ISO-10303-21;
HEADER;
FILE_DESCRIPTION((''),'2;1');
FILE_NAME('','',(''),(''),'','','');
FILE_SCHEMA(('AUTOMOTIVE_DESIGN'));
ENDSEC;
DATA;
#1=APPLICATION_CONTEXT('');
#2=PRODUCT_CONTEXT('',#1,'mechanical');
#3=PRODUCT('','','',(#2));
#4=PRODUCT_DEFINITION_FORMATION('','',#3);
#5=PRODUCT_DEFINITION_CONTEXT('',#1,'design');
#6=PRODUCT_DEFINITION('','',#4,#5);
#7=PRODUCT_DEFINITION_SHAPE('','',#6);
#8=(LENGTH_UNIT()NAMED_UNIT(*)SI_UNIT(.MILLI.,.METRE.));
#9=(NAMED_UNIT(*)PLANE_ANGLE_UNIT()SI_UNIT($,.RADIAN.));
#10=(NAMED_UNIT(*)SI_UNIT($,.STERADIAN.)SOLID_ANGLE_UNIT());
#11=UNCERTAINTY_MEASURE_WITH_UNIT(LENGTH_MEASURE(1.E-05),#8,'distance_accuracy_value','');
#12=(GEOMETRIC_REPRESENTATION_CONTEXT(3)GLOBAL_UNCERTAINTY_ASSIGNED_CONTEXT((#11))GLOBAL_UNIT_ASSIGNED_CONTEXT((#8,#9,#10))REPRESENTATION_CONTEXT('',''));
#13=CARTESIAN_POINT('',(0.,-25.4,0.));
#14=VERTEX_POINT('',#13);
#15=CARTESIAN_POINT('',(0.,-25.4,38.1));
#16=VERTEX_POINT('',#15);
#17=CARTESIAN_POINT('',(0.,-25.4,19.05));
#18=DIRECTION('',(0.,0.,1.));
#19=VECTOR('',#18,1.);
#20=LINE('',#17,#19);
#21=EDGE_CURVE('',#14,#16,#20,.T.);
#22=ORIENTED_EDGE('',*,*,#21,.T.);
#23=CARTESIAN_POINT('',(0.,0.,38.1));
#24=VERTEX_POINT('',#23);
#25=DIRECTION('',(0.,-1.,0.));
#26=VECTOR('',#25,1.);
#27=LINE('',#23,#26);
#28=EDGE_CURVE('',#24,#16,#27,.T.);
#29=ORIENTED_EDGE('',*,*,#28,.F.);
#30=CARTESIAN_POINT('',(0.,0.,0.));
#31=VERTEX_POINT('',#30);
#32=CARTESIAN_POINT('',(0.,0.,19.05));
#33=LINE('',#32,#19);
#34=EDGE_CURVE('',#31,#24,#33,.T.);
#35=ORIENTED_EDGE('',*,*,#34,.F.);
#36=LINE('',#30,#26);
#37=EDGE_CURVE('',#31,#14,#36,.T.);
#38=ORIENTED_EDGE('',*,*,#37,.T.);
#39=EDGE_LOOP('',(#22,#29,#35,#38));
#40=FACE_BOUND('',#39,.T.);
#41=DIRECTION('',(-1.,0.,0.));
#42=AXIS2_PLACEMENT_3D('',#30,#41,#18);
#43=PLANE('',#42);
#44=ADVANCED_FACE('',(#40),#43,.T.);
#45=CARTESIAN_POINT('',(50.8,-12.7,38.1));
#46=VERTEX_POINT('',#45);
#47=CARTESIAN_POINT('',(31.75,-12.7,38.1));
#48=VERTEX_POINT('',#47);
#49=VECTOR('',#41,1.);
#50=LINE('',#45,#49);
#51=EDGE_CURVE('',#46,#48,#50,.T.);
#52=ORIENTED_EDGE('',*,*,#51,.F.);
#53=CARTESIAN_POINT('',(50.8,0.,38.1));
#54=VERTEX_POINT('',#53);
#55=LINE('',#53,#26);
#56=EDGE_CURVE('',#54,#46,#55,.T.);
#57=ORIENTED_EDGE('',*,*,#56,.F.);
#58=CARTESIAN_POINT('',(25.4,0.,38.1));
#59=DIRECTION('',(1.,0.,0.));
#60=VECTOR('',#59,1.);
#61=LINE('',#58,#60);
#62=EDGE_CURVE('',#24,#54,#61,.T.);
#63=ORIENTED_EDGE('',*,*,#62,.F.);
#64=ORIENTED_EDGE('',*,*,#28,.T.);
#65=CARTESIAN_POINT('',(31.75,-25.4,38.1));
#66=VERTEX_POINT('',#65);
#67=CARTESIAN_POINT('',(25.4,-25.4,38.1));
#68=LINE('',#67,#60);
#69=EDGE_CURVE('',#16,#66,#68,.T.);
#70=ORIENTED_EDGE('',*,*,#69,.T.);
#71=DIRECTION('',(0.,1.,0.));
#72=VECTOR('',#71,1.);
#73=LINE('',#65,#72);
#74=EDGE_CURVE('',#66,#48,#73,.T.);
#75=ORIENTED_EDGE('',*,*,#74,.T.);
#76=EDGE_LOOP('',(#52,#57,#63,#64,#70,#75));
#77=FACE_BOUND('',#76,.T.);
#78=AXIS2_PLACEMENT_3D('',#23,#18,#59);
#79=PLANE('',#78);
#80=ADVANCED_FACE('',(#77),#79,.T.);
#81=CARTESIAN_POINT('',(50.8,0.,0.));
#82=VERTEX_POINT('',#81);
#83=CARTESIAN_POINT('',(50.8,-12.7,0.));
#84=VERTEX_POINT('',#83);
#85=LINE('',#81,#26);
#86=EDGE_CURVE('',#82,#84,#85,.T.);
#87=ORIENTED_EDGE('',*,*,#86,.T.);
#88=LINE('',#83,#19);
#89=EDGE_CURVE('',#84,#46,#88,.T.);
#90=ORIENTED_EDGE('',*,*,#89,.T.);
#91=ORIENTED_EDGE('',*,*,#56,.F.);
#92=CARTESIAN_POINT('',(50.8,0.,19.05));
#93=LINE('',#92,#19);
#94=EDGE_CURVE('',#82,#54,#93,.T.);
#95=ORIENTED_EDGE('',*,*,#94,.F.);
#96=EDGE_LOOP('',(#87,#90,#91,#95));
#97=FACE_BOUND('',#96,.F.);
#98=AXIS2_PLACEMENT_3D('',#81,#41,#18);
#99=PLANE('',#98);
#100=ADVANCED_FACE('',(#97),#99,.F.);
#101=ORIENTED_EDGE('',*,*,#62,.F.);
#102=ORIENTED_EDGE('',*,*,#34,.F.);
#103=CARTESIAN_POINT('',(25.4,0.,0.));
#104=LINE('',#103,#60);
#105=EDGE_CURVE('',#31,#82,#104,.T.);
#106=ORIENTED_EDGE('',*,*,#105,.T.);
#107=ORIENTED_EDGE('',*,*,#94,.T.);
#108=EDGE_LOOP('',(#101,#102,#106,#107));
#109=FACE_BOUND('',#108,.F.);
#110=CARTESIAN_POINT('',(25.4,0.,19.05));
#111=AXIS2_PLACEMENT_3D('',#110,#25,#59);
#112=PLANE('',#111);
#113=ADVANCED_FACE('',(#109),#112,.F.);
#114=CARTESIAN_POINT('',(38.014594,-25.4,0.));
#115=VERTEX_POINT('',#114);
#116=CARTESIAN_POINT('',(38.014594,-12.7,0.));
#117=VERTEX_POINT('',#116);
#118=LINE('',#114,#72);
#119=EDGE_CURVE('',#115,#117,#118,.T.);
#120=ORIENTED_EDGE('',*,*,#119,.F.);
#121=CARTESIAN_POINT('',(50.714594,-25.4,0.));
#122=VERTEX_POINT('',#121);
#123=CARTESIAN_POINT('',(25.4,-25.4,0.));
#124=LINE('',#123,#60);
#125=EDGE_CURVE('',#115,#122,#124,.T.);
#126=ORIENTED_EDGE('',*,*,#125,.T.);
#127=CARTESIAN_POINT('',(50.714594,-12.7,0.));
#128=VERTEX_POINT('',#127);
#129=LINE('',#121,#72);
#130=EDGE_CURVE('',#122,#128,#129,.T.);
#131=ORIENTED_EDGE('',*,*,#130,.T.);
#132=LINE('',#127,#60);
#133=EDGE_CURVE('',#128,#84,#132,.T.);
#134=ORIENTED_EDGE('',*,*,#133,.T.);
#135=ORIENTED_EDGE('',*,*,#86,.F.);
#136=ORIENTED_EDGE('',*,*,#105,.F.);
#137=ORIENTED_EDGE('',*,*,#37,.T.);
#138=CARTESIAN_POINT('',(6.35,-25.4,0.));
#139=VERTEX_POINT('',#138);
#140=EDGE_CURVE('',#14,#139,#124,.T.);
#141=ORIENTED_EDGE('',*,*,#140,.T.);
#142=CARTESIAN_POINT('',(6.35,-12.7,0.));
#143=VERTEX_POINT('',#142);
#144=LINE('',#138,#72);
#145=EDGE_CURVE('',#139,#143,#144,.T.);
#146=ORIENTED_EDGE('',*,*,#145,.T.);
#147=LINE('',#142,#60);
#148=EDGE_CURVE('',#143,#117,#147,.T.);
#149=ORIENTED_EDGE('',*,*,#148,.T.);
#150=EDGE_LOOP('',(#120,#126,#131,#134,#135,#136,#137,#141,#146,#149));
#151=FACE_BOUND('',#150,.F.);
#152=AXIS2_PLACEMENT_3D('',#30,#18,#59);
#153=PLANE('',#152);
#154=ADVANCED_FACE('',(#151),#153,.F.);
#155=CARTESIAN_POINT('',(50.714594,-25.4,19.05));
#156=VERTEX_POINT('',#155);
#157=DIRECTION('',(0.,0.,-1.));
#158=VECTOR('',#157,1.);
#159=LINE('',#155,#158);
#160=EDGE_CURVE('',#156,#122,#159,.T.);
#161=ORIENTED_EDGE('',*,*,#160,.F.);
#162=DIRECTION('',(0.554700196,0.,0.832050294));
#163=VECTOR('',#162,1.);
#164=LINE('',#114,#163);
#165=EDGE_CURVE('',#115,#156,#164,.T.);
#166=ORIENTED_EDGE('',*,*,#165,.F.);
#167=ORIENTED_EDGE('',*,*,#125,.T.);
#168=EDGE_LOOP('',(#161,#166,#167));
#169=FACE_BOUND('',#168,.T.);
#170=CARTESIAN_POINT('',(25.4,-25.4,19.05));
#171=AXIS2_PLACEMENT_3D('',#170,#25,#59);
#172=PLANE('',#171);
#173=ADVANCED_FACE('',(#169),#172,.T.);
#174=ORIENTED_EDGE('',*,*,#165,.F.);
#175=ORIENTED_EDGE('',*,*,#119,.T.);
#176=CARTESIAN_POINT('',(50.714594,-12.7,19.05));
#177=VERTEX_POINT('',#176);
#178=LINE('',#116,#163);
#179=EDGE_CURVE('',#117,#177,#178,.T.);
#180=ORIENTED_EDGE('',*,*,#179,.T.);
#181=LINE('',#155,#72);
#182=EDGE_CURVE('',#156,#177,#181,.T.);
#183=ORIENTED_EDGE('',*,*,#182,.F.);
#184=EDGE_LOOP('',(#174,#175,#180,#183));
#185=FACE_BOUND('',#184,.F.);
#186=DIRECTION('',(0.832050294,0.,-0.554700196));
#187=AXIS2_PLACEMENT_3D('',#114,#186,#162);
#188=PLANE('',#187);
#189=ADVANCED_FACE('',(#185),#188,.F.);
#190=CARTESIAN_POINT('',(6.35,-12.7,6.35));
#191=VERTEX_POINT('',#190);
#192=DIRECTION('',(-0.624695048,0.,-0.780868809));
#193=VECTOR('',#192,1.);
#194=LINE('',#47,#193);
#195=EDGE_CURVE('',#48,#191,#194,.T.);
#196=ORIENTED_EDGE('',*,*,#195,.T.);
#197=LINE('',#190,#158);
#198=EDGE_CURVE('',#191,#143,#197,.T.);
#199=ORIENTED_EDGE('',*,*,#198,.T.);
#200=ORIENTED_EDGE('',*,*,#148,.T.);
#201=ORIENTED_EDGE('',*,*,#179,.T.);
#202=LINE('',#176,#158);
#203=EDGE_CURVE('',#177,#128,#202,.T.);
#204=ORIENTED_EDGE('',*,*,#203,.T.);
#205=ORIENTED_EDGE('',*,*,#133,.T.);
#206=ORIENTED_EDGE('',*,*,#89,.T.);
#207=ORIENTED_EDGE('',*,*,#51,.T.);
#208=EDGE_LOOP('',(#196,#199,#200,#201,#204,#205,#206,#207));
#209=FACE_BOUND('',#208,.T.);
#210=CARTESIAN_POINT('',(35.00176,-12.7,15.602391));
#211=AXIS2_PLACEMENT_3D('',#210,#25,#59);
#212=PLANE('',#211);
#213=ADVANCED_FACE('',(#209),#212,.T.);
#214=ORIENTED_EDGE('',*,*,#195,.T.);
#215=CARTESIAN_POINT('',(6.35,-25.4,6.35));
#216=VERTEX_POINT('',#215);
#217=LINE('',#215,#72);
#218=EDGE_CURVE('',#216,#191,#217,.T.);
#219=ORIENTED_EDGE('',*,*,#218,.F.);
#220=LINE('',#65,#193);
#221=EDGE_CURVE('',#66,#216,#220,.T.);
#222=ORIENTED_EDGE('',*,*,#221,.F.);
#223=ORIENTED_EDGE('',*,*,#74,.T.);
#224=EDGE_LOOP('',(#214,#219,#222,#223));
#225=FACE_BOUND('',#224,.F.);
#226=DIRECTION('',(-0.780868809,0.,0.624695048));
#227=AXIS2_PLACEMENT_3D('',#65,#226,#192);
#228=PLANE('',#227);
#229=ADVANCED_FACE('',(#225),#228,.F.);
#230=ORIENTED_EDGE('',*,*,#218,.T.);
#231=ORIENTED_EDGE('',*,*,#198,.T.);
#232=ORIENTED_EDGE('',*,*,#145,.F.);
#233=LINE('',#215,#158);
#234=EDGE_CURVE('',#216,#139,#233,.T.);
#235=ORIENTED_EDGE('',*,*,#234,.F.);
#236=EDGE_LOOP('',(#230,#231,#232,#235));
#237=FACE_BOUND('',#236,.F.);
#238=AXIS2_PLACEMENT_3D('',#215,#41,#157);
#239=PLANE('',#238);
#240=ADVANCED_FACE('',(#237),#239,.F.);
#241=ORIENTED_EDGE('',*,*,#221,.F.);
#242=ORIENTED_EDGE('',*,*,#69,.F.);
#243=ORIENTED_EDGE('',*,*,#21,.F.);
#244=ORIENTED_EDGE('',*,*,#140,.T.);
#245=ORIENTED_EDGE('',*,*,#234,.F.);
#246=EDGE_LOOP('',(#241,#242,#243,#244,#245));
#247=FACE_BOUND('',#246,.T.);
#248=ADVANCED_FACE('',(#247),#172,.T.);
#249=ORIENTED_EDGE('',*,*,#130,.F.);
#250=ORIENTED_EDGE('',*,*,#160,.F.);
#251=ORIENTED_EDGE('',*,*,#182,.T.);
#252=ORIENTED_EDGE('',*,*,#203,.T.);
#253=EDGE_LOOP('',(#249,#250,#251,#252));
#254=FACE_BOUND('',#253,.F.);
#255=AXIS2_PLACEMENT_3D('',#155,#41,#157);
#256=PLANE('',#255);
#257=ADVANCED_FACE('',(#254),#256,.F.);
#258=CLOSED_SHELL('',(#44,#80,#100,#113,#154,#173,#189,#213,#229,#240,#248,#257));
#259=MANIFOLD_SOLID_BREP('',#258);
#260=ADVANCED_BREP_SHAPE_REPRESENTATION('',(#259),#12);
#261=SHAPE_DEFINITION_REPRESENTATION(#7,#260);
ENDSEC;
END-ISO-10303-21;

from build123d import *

# Parameters (mm, degrees)
F0_W     = 50.8
F0_H     = 38.1
F1_DEPTH = 25.4
F5_DEPTH = 12.7


with BuildPart() as f1:
    # F0 (on Front) → F1 (new body)
    with BuildSketch(Plane.XZ):
        with Locations((25.4, 19.05)):
            Rectangle(F0_W, F0_H)
    extrude(amount=F1_DEPTH)

    # F4 (on face) → F5 (cut)
    with BuildSketch(Plane.XZ.offset(25.4)):
        Polygon((6.35, 0), (6.551415, 0), (38.014594, 0), (50.714594, 19.05), (50.714594, 0), (50.8, 0), (50.8, 37.926391), (50.8, 38.1), (31.75, 38.1), (6.35, 6.35), align=None)
    extrude(amount=-F5_DEPTH, mode=Mode.SUBTRACT)


solid = f1.part
